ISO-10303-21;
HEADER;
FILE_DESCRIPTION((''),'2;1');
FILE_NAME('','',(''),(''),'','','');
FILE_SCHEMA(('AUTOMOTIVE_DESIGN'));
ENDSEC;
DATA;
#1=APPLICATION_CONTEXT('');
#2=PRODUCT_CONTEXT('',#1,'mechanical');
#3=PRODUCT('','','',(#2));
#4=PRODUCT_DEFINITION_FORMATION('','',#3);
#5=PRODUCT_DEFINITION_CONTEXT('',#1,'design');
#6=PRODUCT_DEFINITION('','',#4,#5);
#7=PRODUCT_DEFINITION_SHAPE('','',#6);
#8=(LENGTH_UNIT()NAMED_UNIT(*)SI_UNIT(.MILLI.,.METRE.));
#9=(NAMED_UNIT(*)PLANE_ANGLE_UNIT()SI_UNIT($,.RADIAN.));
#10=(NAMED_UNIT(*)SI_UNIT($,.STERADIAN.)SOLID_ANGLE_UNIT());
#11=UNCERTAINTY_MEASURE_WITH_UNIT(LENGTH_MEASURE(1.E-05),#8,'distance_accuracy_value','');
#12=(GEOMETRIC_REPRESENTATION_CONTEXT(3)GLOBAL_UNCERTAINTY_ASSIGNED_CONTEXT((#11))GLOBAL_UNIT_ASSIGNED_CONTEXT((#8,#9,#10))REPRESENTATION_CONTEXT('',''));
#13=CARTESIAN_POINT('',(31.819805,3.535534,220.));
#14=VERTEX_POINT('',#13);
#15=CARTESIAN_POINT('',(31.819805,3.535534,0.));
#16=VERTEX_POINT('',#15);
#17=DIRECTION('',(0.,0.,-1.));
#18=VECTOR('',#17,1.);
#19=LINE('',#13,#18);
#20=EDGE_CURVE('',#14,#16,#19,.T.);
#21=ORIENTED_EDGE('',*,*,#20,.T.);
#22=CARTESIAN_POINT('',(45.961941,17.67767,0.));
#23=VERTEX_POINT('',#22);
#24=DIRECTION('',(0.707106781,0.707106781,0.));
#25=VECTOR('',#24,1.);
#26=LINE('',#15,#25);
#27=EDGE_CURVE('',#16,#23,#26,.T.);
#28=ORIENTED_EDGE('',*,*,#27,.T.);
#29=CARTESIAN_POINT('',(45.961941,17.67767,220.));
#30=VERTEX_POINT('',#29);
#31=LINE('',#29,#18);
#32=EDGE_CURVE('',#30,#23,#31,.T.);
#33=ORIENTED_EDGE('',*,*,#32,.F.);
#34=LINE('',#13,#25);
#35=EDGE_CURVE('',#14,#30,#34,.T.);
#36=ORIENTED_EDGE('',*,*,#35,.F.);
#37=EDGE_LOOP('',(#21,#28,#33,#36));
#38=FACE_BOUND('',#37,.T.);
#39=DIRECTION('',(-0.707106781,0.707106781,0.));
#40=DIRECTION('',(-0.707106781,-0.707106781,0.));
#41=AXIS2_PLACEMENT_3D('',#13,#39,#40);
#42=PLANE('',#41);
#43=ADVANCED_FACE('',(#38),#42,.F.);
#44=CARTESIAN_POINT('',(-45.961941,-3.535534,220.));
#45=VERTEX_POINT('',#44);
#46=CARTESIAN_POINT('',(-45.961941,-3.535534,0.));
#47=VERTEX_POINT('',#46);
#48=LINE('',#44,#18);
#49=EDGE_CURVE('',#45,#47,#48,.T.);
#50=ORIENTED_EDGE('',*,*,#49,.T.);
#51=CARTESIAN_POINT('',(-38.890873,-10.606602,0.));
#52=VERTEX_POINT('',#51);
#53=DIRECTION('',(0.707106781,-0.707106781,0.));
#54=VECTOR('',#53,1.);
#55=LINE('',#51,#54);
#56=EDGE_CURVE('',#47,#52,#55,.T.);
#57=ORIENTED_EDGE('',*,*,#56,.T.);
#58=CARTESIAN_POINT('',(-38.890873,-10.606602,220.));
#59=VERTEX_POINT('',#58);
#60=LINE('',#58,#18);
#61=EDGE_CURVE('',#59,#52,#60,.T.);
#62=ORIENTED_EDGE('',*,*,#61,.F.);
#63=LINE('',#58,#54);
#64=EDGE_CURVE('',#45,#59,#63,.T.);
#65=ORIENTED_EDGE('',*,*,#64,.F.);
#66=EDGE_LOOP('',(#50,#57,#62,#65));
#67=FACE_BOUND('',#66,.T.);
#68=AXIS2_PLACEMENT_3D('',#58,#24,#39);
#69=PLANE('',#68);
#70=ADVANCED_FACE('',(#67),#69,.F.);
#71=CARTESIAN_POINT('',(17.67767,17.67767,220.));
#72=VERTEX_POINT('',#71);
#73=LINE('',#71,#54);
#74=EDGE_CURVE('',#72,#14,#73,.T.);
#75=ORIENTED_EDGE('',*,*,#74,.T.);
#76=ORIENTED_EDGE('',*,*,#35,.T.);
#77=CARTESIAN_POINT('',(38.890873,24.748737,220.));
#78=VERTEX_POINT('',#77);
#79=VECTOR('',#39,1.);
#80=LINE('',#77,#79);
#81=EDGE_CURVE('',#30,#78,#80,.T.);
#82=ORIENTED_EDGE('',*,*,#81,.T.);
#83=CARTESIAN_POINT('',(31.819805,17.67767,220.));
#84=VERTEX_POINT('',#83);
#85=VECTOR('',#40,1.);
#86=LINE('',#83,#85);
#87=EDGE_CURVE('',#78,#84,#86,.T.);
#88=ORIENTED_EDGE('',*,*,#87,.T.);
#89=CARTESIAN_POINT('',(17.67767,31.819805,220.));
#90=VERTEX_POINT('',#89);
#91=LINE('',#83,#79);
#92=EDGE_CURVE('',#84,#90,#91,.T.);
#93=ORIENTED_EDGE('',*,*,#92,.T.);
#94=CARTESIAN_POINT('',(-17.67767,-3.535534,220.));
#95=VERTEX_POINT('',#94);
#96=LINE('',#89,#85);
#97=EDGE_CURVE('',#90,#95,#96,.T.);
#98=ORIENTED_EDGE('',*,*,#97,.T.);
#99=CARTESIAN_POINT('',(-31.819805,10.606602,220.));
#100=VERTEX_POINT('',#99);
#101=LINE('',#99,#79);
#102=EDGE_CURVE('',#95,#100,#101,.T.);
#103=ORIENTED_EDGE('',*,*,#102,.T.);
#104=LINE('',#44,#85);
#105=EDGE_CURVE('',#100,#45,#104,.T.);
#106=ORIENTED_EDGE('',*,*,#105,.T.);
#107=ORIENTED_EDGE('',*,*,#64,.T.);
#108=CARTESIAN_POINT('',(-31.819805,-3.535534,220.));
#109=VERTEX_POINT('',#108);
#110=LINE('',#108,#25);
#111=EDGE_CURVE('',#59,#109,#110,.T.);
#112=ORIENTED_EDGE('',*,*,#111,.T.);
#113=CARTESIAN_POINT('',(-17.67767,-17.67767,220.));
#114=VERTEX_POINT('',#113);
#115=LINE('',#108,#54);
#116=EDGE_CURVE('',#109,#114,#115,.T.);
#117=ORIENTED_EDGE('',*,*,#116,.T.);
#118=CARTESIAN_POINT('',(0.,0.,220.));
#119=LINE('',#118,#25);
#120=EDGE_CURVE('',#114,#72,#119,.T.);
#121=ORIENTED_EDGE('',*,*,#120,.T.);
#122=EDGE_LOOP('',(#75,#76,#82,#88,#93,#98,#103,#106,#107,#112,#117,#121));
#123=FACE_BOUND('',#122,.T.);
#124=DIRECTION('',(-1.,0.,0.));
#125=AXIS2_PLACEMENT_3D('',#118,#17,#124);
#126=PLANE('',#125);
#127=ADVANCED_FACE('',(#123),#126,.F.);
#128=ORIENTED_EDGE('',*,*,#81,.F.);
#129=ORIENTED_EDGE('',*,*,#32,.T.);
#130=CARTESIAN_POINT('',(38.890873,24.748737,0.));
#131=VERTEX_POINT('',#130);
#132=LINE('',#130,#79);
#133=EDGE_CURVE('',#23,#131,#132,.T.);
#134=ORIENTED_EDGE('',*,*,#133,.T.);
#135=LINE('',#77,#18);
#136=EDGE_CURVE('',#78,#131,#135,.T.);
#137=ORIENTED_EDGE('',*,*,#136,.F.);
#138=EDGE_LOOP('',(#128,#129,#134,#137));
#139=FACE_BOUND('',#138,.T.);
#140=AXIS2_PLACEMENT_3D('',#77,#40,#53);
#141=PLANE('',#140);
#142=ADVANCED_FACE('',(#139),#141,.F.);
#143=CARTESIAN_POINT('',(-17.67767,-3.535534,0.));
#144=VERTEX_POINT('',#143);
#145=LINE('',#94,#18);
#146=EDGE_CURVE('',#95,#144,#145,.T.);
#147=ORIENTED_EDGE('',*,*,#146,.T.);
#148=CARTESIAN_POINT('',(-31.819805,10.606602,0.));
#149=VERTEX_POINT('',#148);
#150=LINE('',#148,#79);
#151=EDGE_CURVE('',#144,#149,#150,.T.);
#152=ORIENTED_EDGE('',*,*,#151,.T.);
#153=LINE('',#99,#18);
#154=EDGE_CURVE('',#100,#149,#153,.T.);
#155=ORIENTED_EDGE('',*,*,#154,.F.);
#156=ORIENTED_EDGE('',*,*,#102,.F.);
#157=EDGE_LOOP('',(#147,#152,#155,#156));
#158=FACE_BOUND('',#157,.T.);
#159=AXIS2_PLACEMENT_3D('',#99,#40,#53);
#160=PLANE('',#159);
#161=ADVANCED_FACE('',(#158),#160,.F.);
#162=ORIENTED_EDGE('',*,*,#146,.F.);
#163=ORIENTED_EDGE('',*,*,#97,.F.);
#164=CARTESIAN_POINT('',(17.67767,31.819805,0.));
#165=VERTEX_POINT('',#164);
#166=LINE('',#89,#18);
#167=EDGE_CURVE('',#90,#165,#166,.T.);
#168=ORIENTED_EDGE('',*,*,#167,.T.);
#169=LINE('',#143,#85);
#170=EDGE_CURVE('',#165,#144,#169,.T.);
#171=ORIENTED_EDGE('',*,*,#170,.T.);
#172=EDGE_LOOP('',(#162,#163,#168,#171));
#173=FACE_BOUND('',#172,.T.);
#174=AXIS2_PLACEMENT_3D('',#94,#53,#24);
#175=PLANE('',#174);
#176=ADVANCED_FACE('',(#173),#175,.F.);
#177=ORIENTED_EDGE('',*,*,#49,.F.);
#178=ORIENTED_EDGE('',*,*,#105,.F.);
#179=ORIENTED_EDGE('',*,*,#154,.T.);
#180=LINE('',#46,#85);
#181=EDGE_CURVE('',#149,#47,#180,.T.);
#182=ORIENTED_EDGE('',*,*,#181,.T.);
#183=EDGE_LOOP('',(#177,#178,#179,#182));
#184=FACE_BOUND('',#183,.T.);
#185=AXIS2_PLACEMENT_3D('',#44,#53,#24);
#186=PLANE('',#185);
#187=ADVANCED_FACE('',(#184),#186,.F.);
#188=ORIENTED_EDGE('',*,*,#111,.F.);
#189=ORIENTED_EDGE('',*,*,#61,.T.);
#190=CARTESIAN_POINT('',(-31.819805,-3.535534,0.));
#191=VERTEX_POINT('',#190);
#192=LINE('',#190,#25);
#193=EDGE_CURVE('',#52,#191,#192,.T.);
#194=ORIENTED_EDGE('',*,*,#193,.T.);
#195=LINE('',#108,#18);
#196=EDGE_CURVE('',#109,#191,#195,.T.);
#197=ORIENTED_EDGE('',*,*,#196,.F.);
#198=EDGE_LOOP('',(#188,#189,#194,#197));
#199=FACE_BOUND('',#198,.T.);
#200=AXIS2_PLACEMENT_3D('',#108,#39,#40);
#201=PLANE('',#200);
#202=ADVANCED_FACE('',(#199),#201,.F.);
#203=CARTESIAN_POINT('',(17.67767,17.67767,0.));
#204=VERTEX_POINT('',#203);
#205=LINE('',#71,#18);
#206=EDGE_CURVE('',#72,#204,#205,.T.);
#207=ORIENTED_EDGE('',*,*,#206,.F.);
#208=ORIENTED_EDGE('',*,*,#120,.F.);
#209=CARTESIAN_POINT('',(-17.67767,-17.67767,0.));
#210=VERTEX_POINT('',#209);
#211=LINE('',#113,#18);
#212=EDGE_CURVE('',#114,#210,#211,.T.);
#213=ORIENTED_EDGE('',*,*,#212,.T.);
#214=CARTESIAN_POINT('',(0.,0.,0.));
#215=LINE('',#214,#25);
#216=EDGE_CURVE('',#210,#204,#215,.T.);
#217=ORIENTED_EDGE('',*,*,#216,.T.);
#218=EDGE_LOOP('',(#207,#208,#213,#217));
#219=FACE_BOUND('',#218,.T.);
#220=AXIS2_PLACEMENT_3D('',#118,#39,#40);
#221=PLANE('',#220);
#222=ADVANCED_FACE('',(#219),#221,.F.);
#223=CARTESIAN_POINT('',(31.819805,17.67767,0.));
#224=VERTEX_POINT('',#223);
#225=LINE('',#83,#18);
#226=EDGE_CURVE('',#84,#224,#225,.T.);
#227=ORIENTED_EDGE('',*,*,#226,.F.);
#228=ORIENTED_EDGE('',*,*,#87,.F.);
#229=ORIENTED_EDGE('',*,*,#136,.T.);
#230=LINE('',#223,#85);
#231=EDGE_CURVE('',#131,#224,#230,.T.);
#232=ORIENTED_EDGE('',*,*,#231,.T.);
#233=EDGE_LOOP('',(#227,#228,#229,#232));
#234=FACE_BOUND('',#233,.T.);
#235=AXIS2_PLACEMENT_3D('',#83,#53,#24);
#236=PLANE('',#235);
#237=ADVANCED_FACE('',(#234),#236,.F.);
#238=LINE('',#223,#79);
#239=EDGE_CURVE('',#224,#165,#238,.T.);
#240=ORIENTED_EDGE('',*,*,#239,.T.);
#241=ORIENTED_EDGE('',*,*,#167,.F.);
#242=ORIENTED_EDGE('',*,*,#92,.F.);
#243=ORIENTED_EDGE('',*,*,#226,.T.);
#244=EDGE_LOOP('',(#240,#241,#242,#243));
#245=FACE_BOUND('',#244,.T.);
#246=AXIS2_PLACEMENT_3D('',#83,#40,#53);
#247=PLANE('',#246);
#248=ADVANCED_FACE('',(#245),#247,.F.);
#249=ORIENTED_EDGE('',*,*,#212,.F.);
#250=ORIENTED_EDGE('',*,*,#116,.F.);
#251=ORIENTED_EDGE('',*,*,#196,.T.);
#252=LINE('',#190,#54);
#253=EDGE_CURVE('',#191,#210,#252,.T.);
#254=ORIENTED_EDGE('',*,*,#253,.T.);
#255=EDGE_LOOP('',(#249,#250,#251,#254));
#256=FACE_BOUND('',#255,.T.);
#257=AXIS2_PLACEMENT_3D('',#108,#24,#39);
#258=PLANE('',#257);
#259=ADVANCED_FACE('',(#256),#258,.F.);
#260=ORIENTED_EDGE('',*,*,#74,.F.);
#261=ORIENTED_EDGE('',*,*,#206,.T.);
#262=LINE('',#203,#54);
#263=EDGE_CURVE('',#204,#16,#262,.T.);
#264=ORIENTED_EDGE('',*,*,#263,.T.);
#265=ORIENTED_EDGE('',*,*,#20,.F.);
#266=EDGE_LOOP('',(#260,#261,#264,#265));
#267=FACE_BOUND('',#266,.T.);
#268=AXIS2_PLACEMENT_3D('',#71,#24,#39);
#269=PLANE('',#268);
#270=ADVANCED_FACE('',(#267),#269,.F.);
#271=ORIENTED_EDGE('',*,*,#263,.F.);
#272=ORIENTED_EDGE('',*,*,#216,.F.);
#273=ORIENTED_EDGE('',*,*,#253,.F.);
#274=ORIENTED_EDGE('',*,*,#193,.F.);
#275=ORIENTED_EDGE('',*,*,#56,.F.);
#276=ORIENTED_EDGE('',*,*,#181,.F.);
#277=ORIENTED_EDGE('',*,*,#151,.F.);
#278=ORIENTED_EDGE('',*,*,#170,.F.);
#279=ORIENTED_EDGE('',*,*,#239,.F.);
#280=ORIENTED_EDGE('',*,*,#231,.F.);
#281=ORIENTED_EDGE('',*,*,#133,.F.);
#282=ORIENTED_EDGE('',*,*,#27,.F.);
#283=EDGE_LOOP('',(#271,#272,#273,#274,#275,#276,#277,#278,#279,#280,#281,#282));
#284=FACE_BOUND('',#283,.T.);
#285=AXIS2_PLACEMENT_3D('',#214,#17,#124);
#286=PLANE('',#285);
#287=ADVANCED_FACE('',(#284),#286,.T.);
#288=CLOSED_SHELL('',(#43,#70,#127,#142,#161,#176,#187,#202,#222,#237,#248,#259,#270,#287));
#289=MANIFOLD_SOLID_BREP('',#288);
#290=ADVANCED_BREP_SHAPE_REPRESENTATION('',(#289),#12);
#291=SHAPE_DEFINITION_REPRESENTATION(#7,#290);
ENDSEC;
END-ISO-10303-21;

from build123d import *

# Parameters (mm, degrees)
EXTRUDE_1_DEPTH = 220


with BuildPart() as part:
    # 草图1 → 凸台-拉伸1 (new body)
    with BuildSketch(Plane.XY):
        Polygon((0, 0), (-10.606601718, -10.606601718), (-17.67766953, -17.67766953), (-31.819805153, -3.535533906), (-38.890872965, -10.606601718), (-45.961940777, -3.535533906), (-31.819805153, 10.606601718), (-17.67766953, -3.535533906), (0, 14.142135624), (10.606601718, 24.748737342), (17.67766953, 31.819805153), (31.819805153, 17.67766953), (38.890872965, 24.748737342), (45.961940777, 17.67766953), (31.819805153, 3.535533906), (17.67766953, 17.67766953), align=None)
    extrude(amount=EXTRUDE_1_DEPTH)


solid = part.part
